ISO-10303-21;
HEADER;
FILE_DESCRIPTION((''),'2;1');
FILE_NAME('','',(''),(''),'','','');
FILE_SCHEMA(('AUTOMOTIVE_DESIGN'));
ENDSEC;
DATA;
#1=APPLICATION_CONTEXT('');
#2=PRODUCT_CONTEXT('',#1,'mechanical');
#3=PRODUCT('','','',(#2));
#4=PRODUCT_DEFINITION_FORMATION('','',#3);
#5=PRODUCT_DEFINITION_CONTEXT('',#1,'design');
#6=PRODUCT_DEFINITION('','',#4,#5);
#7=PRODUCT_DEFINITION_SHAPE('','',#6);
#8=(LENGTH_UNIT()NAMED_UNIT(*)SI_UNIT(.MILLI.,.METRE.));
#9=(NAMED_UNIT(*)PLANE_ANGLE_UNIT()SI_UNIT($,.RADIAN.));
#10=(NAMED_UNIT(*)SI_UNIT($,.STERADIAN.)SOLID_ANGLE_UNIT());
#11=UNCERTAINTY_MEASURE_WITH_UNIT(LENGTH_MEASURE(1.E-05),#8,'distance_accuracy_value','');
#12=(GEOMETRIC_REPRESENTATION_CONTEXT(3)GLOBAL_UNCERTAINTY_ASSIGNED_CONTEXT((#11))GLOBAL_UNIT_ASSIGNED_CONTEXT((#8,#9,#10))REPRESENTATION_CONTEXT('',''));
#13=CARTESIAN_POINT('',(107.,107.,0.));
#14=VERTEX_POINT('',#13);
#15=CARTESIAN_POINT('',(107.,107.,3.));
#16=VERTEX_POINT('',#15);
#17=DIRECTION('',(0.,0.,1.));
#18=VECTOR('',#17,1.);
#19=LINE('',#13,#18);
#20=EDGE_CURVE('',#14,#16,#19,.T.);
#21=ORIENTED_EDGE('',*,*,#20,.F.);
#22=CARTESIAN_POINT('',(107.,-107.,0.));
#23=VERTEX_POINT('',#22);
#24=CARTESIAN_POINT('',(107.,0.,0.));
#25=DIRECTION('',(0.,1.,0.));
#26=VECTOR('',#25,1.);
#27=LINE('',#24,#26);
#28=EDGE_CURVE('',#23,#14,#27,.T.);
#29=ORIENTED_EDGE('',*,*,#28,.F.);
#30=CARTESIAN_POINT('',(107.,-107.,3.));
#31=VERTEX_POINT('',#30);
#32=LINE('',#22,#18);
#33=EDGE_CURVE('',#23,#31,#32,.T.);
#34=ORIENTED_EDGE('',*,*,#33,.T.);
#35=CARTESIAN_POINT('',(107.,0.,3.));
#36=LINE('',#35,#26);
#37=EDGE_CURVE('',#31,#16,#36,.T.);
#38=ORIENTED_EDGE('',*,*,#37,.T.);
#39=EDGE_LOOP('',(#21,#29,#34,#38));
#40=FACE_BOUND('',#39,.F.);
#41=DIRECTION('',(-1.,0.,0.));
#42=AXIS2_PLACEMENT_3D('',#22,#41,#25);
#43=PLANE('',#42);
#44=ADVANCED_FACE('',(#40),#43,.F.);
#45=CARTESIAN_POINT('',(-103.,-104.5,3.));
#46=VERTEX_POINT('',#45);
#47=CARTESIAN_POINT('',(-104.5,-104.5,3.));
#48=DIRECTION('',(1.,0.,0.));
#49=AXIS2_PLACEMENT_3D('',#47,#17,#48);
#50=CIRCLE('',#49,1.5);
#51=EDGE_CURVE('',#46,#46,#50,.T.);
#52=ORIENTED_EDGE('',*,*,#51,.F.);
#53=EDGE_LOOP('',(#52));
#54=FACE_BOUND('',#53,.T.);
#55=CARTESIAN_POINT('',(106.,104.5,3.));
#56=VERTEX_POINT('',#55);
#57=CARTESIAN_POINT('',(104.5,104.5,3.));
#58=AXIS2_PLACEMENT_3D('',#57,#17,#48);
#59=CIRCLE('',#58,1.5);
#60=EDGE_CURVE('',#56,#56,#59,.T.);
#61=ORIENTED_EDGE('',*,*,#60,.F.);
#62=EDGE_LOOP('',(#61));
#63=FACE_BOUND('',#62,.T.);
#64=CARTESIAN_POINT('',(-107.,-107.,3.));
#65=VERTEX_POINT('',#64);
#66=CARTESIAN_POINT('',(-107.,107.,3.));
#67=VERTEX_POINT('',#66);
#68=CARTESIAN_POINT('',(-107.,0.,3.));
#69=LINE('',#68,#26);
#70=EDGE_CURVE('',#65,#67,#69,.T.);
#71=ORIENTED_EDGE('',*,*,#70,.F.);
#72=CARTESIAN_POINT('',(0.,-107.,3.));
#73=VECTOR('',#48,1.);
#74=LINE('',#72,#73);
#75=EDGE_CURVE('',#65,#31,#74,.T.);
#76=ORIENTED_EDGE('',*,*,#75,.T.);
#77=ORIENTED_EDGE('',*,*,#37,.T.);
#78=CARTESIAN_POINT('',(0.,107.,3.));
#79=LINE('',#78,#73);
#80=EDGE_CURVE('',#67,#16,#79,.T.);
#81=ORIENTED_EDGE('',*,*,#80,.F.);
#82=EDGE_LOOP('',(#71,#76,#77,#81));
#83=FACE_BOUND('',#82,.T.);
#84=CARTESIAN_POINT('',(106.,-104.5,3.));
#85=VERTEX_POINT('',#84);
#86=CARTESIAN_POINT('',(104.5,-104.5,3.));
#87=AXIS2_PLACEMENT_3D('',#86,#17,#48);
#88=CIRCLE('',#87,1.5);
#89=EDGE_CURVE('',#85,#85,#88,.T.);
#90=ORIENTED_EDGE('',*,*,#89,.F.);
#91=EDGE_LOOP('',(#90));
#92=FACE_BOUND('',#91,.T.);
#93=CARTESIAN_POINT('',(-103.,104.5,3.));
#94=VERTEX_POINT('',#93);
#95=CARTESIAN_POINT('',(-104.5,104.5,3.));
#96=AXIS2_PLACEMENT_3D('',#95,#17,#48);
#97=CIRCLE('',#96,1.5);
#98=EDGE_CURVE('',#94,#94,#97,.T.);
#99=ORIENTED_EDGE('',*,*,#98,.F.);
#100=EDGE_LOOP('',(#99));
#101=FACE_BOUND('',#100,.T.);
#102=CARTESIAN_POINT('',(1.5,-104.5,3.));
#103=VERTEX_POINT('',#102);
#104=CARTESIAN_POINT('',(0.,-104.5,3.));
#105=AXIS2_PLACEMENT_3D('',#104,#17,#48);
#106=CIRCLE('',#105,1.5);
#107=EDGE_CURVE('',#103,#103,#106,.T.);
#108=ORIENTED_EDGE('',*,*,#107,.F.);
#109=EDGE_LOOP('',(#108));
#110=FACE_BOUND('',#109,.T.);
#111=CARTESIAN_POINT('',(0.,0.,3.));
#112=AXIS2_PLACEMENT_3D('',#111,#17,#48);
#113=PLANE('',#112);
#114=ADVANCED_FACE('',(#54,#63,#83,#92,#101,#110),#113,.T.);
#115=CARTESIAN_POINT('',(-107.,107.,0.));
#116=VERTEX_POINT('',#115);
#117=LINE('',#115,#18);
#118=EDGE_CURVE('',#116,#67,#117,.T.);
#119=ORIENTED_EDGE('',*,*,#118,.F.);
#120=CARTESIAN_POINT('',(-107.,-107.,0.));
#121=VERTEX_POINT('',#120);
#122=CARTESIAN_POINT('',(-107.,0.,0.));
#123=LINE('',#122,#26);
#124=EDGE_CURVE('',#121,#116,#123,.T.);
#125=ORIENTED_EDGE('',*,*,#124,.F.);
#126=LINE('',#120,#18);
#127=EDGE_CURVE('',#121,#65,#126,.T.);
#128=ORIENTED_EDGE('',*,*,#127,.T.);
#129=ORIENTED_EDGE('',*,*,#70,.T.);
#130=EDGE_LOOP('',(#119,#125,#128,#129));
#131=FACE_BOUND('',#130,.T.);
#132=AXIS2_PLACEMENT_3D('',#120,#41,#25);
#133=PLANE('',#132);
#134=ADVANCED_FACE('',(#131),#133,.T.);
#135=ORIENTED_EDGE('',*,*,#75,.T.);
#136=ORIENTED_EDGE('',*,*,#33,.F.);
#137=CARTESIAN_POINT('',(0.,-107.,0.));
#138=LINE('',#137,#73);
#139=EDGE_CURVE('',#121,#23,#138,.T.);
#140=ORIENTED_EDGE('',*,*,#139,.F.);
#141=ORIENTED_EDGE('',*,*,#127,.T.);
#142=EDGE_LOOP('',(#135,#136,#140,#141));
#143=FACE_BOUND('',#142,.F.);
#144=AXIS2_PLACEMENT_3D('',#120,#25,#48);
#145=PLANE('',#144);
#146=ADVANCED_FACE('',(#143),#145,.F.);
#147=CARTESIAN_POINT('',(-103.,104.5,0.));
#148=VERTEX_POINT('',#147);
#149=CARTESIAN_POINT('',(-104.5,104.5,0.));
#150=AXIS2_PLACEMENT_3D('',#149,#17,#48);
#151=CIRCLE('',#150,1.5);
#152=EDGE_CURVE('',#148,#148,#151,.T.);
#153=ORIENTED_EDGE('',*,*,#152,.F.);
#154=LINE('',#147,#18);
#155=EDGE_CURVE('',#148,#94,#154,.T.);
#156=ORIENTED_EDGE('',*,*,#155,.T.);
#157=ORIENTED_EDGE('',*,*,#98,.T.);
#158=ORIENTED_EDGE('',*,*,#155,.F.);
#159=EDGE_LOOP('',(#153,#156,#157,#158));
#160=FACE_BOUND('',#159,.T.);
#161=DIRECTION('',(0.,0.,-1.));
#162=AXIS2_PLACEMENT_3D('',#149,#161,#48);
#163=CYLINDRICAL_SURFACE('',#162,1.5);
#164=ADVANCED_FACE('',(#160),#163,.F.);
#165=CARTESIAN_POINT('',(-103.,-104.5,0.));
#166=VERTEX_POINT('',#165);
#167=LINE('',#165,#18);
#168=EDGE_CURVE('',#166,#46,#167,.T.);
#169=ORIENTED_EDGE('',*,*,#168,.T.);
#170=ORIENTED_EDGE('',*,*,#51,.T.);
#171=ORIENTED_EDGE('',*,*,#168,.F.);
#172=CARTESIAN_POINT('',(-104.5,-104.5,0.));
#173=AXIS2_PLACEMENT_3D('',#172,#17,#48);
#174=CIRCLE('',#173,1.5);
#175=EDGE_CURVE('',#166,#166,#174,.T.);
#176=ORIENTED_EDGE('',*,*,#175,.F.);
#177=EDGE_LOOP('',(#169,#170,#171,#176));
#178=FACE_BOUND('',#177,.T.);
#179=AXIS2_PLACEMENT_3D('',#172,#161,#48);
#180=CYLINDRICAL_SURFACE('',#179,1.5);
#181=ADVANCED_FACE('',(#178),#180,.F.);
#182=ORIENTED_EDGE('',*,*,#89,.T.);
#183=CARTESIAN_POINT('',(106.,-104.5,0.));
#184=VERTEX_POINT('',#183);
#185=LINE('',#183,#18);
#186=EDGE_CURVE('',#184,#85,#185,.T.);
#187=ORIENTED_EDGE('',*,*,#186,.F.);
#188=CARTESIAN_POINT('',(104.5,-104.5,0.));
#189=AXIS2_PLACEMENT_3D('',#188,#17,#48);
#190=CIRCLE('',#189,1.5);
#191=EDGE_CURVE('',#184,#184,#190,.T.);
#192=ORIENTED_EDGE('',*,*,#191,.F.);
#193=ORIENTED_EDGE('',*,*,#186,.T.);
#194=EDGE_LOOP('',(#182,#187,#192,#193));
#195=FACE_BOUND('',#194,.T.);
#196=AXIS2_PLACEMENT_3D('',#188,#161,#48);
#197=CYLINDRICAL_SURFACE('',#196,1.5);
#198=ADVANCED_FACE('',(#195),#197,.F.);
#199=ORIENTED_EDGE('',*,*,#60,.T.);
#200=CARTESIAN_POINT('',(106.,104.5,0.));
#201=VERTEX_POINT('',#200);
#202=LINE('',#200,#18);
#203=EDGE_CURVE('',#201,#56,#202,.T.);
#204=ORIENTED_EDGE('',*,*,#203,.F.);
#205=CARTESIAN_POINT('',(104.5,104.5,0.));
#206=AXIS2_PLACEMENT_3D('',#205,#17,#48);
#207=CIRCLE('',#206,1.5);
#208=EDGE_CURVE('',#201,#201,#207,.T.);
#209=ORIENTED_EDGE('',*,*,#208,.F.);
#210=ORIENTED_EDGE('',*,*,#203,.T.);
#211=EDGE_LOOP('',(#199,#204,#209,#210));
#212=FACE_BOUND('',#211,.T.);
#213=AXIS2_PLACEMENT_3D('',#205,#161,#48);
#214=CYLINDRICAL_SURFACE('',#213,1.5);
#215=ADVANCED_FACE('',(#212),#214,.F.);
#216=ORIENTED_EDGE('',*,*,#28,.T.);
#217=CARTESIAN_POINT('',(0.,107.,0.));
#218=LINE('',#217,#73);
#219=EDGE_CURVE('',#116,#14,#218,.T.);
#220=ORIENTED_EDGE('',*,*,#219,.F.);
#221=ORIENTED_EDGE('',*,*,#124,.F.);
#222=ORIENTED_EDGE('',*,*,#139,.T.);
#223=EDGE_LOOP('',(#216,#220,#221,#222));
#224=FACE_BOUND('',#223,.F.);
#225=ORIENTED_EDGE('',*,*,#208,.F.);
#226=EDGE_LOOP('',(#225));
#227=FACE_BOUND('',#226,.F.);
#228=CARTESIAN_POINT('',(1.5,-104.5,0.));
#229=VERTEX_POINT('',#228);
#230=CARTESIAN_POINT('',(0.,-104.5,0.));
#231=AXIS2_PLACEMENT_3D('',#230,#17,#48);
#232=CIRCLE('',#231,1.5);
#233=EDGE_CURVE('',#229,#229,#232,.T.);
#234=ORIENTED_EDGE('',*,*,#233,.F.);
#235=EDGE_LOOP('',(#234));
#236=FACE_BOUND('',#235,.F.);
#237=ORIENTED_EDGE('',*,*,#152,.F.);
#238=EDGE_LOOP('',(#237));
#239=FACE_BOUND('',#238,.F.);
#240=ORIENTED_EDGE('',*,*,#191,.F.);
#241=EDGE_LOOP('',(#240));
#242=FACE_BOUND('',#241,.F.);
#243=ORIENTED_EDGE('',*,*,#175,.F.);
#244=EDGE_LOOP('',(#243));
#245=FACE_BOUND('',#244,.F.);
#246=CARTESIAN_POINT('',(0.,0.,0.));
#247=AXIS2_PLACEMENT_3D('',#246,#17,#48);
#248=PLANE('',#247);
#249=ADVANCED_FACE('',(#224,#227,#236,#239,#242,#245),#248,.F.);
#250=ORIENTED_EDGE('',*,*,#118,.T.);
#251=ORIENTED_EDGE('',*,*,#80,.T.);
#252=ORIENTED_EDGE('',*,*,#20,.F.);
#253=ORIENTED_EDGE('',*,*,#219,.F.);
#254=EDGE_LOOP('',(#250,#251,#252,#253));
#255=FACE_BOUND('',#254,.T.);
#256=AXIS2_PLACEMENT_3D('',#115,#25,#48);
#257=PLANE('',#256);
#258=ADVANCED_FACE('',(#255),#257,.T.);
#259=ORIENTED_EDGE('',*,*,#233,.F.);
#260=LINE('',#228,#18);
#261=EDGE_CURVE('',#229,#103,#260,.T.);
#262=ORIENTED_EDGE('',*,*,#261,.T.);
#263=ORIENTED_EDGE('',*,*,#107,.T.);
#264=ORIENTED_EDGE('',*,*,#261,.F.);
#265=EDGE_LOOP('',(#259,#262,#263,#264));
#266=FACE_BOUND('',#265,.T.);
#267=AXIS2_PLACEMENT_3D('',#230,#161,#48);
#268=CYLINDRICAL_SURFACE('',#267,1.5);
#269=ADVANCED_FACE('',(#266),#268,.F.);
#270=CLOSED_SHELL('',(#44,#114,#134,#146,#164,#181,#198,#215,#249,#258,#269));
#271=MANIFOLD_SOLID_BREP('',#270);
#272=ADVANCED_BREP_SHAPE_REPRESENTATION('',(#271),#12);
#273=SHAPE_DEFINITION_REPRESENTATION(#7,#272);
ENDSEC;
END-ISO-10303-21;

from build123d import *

# Parameters (mm, degrees)
F0_W     = 214
F0_H     = 214
F0_R     = 1.5
F1_DEPTH = 3


with BuildPart() as f1:
    # F0 (on Top) → F1 (new body)
    with BuildSketch(Plane.XY):
        Rectangle(F0_W, F0_H)
        with Locations((-104.5, -104.5)):
            Circle(F0_R, mode=Mode.SUBTRACT)
        with Locations((0, -104.5)):
            Circle(F0_R, mode=Mode.SUBTRACT)
        with Locations((104.5, -104.5)):
            Circle(F0_R, mode=Mode.SUBTRACT)
        with Locations((-104.5, 104.5)):
            Circle(F0_R, mode=Mode.SUBTRACT)
        with Locations((104.5, 104.5)):
            Circle(F0_R, mode=Mode.SUBTRACT)
    extrude(amount=F1_DEPTH)


solid = f1.part
